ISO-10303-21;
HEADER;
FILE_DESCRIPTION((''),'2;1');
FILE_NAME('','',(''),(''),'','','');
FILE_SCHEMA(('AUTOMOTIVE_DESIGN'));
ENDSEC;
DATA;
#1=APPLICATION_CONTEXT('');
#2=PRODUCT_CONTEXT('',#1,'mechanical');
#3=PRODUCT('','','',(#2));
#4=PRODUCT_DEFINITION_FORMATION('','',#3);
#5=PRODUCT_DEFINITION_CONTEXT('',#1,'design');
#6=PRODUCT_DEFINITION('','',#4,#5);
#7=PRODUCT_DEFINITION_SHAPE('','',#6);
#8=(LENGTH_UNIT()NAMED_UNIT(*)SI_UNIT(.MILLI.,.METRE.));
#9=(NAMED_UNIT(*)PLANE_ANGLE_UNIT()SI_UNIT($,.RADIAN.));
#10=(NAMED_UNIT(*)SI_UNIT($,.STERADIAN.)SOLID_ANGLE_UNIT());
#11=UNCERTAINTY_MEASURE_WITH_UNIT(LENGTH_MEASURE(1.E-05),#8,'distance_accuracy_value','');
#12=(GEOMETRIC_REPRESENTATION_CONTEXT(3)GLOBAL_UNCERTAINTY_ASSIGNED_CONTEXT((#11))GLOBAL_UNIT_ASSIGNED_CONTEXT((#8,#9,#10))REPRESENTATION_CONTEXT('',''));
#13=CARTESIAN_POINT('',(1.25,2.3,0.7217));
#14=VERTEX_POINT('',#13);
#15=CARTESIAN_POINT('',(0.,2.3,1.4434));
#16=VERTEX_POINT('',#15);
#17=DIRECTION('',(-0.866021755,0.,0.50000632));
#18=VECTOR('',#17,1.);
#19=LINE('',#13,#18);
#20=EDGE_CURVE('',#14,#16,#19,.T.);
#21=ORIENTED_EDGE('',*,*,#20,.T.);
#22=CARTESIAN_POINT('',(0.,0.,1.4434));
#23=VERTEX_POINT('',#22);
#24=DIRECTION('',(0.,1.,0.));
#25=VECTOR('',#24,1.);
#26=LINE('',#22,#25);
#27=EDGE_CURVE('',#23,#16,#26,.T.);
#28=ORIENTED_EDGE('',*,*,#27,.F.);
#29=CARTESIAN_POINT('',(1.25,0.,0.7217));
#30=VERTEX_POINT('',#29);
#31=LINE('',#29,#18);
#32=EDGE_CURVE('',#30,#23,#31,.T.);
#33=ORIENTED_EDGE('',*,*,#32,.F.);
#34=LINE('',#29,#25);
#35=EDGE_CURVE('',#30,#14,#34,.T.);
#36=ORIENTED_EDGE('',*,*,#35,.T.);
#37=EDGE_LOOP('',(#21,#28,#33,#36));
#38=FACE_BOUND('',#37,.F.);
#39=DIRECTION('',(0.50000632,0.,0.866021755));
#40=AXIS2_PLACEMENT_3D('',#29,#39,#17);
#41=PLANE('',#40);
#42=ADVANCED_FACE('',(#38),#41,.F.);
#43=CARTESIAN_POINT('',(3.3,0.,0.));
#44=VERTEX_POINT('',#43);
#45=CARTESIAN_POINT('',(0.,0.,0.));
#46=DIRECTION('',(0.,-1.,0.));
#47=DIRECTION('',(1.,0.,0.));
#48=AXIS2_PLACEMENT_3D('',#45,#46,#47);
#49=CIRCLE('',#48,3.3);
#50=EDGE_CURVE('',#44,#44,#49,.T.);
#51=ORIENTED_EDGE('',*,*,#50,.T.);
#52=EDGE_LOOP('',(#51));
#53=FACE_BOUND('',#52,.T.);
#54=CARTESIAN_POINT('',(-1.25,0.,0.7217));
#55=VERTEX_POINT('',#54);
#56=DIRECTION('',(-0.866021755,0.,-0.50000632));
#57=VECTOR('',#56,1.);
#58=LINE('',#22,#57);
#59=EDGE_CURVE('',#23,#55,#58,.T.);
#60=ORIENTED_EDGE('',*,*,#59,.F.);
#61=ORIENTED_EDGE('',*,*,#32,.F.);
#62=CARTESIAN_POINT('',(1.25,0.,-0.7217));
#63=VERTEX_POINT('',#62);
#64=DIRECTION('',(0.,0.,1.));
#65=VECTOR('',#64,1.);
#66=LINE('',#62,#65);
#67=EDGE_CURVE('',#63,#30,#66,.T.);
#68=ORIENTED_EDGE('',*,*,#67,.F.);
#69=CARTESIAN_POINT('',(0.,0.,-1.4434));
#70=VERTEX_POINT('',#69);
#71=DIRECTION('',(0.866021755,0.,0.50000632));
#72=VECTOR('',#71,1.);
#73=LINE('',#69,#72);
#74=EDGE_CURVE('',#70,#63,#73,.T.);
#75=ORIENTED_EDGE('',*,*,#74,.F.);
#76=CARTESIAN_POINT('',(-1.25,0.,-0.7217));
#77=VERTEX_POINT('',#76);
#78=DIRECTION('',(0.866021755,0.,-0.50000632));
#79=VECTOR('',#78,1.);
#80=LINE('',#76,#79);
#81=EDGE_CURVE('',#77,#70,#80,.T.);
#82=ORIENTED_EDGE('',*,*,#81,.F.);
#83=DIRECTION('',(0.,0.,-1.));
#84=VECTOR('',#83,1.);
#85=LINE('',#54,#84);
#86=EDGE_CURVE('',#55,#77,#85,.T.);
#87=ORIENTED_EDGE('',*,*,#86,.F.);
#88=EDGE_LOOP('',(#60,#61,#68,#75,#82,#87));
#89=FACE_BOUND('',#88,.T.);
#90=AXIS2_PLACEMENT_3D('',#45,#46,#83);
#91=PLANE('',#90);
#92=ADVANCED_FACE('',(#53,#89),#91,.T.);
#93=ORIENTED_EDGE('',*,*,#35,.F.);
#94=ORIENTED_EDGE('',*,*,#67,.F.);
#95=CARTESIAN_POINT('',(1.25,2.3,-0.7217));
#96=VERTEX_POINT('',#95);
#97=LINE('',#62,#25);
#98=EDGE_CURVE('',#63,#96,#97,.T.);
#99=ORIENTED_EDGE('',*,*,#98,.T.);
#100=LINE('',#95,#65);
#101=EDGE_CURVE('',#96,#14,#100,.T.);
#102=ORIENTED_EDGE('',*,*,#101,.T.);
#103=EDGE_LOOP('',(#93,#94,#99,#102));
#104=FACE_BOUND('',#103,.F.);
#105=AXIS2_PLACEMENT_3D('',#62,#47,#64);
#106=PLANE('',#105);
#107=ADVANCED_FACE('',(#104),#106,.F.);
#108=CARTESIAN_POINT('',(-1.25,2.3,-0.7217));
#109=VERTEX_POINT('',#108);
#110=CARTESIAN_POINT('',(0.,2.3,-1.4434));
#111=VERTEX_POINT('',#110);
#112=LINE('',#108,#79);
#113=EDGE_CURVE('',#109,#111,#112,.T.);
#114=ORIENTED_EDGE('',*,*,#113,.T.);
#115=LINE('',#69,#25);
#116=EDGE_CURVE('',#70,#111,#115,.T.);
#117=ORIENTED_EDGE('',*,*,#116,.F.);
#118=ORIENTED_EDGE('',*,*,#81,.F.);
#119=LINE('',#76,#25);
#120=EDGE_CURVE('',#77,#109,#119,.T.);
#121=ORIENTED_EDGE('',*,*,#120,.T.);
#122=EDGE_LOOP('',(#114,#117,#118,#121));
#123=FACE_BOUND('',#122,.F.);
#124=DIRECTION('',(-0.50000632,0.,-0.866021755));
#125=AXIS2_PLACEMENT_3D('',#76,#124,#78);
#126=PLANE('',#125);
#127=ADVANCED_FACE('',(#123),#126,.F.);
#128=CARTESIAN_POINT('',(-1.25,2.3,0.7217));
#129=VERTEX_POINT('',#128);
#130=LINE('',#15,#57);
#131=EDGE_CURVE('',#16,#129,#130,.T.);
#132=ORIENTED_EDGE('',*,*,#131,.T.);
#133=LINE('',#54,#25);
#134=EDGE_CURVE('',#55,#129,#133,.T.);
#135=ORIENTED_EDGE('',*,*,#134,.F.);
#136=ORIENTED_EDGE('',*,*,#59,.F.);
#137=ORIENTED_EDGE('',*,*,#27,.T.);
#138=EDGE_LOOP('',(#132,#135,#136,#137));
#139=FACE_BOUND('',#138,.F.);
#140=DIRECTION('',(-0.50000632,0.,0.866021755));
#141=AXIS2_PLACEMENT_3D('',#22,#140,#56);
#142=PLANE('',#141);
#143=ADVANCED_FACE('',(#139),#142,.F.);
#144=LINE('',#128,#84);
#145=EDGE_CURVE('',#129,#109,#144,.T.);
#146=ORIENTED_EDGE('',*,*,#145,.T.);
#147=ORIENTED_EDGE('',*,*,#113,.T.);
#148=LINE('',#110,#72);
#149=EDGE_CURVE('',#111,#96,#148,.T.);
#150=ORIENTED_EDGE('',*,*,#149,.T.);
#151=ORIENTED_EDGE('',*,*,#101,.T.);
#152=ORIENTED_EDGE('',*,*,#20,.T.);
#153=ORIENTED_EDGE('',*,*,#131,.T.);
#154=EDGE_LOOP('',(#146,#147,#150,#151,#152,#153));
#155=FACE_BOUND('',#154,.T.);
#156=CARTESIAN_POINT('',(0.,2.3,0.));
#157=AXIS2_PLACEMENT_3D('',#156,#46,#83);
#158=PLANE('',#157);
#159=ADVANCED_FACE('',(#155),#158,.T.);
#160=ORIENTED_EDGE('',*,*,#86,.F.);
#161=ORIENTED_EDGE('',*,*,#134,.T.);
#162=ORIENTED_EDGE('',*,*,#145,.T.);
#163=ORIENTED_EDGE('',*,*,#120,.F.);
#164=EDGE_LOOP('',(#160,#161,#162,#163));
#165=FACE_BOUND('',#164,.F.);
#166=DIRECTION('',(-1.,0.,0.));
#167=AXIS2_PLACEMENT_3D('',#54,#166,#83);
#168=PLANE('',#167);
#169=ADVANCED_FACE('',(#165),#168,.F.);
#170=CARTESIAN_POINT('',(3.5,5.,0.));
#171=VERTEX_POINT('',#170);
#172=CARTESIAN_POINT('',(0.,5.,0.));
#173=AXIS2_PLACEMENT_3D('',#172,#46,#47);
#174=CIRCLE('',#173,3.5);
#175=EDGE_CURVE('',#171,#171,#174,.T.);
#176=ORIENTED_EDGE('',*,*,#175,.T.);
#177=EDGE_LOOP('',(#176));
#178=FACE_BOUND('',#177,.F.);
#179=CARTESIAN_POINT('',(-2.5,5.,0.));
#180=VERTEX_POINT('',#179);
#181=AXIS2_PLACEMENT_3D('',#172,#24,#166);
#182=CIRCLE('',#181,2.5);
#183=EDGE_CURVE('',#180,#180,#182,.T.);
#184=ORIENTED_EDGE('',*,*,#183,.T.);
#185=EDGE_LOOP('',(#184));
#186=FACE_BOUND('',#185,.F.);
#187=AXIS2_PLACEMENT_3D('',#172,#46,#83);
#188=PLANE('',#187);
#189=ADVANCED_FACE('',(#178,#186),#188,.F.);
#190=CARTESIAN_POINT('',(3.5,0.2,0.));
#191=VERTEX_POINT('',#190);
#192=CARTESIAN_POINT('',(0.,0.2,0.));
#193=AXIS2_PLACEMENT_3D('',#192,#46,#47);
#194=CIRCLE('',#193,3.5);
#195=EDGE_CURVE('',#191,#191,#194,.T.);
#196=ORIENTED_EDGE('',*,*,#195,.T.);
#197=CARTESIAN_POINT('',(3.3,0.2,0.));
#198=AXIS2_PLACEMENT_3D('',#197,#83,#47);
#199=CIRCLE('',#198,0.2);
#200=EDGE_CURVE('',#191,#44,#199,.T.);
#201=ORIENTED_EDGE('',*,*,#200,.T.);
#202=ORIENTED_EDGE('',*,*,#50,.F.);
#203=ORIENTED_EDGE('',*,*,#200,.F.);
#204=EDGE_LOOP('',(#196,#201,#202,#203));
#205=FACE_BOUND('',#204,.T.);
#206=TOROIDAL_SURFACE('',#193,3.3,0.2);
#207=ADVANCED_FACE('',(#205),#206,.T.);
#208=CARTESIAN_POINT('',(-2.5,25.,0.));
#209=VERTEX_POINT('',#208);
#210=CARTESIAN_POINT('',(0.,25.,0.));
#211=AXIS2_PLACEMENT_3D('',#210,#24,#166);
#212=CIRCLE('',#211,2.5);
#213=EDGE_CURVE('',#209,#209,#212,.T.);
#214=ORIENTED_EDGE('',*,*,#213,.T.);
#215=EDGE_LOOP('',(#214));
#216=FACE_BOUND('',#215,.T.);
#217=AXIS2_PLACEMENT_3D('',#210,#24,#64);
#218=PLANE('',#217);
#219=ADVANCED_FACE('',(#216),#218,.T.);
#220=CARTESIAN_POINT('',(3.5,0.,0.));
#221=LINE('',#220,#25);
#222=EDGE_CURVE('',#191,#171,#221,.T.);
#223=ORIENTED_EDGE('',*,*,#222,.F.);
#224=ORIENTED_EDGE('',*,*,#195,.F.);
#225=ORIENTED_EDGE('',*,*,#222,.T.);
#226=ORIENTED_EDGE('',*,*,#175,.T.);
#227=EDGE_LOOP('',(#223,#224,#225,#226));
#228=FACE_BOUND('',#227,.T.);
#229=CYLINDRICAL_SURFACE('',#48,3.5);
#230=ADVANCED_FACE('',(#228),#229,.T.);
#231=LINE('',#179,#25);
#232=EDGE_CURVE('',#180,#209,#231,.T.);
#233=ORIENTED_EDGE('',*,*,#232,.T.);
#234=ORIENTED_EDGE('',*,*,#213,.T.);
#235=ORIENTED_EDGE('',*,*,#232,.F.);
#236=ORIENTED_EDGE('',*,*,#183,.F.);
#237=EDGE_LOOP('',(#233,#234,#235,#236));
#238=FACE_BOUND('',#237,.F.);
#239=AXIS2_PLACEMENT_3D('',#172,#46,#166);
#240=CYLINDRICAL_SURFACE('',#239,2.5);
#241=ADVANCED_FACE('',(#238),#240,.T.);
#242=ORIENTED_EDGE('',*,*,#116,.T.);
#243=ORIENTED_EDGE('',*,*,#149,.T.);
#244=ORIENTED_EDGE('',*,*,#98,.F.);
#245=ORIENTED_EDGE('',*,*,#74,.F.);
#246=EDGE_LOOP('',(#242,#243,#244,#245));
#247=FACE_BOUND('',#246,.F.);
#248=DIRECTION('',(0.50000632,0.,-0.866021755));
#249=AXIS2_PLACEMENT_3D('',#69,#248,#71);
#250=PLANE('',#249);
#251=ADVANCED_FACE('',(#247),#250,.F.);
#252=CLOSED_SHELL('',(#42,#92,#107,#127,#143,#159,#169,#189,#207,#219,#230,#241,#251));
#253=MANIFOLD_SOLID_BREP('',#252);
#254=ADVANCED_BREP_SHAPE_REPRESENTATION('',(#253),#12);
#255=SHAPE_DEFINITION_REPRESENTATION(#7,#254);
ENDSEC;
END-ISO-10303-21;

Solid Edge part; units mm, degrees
sketch "Sketch1" plane through (0, 0, 0) normal (0, -1, 0) x (1, 0, 0)
  circle A0 centre (0, 0) radius 3.5
extrude "Protrusion1" add sketch "Sketch1" against normal blind 5
sketch "Sketch2" plane through (0, 5, 0) normal (0, 1, 0) x (-1, 0, 0)
  circle A0 centre (0, 0) radius 2.5
extrude "ExtrudedProtrusion_2" add sketch "Sketch2" along normal blind 20
cosmetic_thread "Thread_1" size "M5" thread depth 20
fillet "Round_1" radius 0.2 1 edges at (-3.5, 0, 0)
sketch "Sketch3" plane through (0, 0, 0) normal (0, -1, 0) x (1, 0, 0)
  line L0 (0, 1.4434) -> (-1.25, 0.7217)
  line L1 (-1.25, 0.7217) -> (-1.25, -0.7217)
  line L2 (-1.25, -0.7217) -> (0, -1.4434)
  line L3 (0, -1.4434) -> (1.25, -0.7217)
  line L4 (1.25, -0.7217) -> (1.25, 0.7217)
  line L5 (1.25, 0.7217) -> (0, 1.4434)
extrude "ExtrudedCutout_2" cut sketch "Sketch3" against normal blind 2.3
properties material "Steel"
